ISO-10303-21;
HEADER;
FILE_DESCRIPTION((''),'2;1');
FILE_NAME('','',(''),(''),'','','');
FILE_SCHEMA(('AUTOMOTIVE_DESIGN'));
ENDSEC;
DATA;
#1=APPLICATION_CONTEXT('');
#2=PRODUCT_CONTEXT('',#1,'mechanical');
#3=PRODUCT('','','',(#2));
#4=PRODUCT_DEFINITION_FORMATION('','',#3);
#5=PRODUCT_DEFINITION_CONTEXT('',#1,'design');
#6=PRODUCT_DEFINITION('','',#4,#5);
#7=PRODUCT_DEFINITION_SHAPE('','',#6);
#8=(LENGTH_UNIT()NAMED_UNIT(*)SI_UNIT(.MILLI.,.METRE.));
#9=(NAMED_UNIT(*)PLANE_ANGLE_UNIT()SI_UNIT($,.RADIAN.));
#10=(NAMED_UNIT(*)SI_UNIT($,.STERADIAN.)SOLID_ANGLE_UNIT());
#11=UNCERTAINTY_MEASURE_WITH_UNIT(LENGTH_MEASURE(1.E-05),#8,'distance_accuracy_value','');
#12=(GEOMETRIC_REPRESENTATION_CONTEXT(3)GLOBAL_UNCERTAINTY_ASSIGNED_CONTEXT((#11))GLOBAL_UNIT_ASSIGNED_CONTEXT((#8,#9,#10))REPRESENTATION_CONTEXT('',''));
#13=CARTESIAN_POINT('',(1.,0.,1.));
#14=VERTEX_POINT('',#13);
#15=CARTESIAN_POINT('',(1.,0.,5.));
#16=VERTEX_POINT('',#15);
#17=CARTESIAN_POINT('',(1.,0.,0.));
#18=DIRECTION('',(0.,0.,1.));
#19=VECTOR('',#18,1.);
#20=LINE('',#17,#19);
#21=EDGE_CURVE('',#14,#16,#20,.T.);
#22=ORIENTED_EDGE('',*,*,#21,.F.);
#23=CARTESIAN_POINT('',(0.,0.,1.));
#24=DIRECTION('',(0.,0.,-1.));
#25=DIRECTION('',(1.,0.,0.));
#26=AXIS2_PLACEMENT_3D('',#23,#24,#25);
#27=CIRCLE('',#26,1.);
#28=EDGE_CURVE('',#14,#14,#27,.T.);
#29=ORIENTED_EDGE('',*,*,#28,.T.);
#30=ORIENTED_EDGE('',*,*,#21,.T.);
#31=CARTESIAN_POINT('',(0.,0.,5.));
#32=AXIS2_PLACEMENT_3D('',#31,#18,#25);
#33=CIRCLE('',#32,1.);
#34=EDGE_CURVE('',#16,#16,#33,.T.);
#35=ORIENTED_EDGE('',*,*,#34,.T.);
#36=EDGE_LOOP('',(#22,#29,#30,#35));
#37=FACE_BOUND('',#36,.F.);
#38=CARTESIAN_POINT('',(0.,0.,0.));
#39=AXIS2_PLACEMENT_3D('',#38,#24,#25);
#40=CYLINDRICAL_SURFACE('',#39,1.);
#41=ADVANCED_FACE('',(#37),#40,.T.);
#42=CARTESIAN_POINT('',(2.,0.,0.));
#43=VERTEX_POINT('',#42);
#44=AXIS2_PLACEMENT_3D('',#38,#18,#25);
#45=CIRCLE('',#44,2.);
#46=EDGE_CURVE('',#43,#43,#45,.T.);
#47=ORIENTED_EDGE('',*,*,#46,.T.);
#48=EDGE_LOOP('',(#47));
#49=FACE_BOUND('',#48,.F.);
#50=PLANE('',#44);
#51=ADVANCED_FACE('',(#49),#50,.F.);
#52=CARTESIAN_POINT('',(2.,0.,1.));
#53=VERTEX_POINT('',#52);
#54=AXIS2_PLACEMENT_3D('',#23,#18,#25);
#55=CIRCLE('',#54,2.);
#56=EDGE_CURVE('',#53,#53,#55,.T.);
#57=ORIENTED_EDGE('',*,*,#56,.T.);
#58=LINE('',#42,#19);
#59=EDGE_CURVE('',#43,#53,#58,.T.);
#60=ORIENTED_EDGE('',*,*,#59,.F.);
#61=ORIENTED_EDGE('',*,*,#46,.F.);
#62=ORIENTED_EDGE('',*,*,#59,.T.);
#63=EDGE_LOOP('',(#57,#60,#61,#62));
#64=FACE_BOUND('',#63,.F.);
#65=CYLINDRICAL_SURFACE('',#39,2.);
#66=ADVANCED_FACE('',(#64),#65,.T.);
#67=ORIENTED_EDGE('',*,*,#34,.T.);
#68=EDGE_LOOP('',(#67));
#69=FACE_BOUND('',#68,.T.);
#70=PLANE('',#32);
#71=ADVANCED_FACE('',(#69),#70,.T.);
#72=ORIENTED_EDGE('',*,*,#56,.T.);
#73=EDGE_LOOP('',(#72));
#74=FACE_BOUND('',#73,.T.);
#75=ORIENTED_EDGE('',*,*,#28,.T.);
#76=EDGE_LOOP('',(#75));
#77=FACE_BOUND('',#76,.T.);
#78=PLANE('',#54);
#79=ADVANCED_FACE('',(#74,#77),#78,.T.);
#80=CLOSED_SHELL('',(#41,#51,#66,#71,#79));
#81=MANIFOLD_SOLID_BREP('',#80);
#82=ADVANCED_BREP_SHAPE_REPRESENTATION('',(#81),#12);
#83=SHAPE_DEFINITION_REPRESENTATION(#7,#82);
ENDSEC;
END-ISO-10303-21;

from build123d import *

# Parameters (mm, degrees)
F0_R     = 2
F2_DEPTH = 1
F1_R     = 1
F3_DEPTH = 5


with BuildPart() as f2:
    # F0 (on Top) → F2 (new body)
    with BuildSketch(Plane.XY):
        Circle(F0_R)
    extrude(amount=F2_DEPTH)

    # F1 (on face) → F3 (join)
    with BuildSketch(Plane.XY):
        Circle(F1_R)
    extrude(amount=F3_DEPTH)


solid = f2.part
